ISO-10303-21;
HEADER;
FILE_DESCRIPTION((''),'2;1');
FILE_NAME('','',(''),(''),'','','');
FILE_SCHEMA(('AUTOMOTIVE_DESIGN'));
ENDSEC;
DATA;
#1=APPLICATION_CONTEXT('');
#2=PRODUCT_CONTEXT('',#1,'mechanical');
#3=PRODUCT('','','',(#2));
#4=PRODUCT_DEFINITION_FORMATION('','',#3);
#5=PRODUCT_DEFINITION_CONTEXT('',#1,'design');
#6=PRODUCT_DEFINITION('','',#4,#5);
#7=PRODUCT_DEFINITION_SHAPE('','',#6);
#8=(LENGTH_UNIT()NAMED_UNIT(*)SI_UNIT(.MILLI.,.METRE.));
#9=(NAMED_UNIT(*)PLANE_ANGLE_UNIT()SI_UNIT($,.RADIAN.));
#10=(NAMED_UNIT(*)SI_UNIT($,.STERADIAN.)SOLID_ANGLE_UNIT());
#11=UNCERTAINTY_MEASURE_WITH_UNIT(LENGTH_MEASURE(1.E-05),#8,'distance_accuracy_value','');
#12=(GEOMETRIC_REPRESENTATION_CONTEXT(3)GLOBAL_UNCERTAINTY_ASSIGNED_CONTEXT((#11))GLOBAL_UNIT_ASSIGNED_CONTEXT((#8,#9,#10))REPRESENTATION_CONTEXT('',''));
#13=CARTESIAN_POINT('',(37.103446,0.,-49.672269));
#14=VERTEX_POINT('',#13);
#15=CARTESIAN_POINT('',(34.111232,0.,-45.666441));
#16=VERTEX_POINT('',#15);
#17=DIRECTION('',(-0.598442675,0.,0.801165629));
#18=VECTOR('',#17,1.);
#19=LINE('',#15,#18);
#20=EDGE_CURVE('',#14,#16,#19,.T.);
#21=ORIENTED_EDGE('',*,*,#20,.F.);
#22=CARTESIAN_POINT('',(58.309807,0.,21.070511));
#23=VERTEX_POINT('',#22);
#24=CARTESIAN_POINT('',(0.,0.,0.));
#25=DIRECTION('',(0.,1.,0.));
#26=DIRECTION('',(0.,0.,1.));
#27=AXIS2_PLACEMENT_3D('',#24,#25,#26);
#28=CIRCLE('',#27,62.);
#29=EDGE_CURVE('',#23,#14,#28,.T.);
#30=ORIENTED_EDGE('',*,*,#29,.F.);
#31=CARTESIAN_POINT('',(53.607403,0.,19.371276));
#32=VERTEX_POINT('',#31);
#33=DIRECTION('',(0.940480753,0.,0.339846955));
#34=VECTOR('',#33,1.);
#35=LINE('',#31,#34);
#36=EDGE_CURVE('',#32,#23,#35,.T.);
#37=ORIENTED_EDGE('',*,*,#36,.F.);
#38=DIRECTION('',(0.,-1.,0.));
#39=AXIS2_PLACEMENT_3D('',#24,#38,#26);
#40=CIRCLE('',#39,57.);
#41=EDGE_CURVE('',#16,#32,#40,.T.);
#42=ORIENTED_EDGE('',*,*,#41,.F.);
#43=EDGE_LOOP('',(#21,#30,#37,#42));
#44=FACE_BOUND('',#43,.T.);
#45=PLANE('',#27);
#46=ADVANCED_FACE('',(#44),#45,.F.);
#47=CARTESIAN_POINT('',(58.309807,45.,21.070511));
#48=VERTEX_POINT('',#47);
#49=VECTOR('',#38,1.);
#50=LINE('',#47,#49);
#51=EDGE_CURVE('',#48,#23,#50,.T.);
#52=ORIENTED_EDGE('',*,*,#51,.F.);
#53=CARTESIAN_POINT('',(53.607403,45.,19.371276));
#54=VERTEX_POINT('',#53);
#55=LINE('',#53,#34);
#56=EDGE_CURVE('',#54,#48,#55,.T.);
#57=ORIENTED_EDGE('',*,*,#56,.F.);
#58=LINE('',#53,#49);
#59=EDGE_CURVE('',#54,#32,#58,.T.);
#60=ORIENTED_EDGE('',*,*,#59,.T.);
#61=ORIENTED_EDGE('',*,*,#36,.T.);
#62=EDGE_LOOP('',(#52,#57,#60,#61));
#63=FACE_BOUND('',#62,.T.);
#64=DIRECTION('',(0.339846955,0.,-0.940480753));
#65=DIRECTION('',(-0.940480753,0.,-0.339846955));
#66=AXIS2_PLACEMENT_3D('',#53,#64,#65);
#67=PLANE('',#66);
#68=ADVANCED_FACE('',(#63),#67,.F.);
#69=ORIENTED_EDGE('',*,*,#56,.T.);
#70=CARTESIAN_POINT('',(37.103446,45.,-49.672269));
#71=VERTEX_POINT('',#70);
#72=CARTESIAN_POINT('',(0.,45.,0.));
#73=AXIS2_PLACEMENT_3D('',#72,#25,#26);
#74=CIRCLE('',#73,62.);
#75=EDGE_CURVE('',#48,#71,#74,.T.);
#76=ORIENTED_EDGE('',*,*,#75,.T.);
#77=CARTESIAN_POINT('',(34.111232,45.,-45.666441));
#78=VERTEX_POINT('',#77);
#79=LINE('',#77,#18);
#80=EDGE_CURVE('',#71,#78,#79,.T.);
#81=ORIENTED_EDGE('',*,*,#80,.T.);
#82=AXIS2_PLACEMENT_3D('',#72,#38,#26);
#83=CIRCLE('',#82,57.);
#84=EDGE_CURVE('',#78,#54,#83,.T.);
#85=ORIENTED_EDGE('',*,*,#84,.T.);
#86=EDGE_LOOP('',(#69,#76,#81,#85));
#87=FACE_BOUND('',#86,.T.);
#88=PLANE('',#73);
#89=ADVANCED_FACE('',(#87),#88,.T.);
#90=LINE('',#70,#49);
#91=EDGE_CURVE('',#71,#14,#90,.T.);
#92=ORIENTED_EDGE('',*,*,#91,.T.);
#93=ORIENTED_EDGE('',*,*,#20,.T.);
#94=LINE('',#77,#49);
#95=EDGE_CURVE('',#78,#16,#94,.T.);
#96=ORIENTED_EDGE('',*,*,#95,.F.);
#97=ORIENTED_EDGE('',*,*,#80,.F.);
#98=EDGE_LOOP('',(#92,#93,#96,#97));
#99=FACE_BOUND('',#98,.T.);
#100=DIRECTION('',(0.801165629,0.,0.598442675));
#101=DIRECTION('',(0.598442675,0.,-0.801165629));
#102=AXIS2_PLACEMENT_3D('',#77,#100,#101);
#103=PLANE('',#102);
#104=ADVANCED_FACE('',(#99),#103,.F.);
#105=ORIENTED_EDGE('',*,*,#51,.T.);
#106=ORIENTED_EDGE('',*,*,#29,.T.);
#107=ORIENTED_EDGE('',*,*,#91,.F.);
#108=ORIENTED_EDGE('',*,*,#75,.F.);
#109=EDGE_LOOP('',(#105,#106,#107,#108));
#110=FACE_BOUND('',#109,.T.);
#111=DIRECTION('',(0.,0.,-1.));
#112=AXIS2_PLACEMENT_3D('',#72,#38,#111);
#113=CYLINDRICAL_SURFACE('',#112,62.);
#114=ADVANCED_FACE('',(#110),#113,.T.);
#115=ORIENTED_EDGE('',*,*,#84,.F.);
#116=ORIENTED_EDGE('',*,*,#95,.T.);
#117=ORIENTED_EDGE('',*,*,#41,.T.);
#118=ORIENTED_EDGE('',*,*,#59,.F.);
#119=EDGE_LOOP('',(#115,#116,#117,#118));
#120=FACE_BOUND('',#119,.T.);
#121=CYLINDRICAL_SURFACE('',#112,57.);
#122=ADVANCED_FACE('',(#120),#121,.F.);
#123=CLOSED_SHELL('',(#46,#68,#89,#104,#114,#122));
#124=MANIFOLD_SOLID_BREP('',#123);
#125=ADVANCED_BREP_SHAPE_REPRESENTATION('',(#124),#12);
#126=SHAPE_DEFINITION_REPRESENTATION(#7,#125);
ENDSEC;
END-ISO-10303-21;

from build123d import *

# Parameters (mm, degrees)
BOSS_EXTRUDE1_DEPTH = 45


with BuildPart() as part:
    # Sketch1 → Boss-Extrude1 (new body)
    with BuildSketch(Plane(origin=(0, 0, 0), x_dir=(1, 0, 0), z_dir=(0, 1, 0))):
        with BuildLine():
            Line((53.607402933, -19.371276436), (58.309806699, -21.070511212))
            ThreePointArc((58.309806699, -21.070511212), (59.389034579, 17.802880997), (37.103445862, 49.672268975))
            Line((37.103445862, 49.672268975), (34.111232486, 45.666440832))
            ThreePointArc((34.111232486, 45.666440832), (54.599596306, 16.367164787), (53.607402933, -19.371276436))
        make_face()
    extrude(amount=BOSS_EXTRUDE1_DEPTH)


solid = part.part
